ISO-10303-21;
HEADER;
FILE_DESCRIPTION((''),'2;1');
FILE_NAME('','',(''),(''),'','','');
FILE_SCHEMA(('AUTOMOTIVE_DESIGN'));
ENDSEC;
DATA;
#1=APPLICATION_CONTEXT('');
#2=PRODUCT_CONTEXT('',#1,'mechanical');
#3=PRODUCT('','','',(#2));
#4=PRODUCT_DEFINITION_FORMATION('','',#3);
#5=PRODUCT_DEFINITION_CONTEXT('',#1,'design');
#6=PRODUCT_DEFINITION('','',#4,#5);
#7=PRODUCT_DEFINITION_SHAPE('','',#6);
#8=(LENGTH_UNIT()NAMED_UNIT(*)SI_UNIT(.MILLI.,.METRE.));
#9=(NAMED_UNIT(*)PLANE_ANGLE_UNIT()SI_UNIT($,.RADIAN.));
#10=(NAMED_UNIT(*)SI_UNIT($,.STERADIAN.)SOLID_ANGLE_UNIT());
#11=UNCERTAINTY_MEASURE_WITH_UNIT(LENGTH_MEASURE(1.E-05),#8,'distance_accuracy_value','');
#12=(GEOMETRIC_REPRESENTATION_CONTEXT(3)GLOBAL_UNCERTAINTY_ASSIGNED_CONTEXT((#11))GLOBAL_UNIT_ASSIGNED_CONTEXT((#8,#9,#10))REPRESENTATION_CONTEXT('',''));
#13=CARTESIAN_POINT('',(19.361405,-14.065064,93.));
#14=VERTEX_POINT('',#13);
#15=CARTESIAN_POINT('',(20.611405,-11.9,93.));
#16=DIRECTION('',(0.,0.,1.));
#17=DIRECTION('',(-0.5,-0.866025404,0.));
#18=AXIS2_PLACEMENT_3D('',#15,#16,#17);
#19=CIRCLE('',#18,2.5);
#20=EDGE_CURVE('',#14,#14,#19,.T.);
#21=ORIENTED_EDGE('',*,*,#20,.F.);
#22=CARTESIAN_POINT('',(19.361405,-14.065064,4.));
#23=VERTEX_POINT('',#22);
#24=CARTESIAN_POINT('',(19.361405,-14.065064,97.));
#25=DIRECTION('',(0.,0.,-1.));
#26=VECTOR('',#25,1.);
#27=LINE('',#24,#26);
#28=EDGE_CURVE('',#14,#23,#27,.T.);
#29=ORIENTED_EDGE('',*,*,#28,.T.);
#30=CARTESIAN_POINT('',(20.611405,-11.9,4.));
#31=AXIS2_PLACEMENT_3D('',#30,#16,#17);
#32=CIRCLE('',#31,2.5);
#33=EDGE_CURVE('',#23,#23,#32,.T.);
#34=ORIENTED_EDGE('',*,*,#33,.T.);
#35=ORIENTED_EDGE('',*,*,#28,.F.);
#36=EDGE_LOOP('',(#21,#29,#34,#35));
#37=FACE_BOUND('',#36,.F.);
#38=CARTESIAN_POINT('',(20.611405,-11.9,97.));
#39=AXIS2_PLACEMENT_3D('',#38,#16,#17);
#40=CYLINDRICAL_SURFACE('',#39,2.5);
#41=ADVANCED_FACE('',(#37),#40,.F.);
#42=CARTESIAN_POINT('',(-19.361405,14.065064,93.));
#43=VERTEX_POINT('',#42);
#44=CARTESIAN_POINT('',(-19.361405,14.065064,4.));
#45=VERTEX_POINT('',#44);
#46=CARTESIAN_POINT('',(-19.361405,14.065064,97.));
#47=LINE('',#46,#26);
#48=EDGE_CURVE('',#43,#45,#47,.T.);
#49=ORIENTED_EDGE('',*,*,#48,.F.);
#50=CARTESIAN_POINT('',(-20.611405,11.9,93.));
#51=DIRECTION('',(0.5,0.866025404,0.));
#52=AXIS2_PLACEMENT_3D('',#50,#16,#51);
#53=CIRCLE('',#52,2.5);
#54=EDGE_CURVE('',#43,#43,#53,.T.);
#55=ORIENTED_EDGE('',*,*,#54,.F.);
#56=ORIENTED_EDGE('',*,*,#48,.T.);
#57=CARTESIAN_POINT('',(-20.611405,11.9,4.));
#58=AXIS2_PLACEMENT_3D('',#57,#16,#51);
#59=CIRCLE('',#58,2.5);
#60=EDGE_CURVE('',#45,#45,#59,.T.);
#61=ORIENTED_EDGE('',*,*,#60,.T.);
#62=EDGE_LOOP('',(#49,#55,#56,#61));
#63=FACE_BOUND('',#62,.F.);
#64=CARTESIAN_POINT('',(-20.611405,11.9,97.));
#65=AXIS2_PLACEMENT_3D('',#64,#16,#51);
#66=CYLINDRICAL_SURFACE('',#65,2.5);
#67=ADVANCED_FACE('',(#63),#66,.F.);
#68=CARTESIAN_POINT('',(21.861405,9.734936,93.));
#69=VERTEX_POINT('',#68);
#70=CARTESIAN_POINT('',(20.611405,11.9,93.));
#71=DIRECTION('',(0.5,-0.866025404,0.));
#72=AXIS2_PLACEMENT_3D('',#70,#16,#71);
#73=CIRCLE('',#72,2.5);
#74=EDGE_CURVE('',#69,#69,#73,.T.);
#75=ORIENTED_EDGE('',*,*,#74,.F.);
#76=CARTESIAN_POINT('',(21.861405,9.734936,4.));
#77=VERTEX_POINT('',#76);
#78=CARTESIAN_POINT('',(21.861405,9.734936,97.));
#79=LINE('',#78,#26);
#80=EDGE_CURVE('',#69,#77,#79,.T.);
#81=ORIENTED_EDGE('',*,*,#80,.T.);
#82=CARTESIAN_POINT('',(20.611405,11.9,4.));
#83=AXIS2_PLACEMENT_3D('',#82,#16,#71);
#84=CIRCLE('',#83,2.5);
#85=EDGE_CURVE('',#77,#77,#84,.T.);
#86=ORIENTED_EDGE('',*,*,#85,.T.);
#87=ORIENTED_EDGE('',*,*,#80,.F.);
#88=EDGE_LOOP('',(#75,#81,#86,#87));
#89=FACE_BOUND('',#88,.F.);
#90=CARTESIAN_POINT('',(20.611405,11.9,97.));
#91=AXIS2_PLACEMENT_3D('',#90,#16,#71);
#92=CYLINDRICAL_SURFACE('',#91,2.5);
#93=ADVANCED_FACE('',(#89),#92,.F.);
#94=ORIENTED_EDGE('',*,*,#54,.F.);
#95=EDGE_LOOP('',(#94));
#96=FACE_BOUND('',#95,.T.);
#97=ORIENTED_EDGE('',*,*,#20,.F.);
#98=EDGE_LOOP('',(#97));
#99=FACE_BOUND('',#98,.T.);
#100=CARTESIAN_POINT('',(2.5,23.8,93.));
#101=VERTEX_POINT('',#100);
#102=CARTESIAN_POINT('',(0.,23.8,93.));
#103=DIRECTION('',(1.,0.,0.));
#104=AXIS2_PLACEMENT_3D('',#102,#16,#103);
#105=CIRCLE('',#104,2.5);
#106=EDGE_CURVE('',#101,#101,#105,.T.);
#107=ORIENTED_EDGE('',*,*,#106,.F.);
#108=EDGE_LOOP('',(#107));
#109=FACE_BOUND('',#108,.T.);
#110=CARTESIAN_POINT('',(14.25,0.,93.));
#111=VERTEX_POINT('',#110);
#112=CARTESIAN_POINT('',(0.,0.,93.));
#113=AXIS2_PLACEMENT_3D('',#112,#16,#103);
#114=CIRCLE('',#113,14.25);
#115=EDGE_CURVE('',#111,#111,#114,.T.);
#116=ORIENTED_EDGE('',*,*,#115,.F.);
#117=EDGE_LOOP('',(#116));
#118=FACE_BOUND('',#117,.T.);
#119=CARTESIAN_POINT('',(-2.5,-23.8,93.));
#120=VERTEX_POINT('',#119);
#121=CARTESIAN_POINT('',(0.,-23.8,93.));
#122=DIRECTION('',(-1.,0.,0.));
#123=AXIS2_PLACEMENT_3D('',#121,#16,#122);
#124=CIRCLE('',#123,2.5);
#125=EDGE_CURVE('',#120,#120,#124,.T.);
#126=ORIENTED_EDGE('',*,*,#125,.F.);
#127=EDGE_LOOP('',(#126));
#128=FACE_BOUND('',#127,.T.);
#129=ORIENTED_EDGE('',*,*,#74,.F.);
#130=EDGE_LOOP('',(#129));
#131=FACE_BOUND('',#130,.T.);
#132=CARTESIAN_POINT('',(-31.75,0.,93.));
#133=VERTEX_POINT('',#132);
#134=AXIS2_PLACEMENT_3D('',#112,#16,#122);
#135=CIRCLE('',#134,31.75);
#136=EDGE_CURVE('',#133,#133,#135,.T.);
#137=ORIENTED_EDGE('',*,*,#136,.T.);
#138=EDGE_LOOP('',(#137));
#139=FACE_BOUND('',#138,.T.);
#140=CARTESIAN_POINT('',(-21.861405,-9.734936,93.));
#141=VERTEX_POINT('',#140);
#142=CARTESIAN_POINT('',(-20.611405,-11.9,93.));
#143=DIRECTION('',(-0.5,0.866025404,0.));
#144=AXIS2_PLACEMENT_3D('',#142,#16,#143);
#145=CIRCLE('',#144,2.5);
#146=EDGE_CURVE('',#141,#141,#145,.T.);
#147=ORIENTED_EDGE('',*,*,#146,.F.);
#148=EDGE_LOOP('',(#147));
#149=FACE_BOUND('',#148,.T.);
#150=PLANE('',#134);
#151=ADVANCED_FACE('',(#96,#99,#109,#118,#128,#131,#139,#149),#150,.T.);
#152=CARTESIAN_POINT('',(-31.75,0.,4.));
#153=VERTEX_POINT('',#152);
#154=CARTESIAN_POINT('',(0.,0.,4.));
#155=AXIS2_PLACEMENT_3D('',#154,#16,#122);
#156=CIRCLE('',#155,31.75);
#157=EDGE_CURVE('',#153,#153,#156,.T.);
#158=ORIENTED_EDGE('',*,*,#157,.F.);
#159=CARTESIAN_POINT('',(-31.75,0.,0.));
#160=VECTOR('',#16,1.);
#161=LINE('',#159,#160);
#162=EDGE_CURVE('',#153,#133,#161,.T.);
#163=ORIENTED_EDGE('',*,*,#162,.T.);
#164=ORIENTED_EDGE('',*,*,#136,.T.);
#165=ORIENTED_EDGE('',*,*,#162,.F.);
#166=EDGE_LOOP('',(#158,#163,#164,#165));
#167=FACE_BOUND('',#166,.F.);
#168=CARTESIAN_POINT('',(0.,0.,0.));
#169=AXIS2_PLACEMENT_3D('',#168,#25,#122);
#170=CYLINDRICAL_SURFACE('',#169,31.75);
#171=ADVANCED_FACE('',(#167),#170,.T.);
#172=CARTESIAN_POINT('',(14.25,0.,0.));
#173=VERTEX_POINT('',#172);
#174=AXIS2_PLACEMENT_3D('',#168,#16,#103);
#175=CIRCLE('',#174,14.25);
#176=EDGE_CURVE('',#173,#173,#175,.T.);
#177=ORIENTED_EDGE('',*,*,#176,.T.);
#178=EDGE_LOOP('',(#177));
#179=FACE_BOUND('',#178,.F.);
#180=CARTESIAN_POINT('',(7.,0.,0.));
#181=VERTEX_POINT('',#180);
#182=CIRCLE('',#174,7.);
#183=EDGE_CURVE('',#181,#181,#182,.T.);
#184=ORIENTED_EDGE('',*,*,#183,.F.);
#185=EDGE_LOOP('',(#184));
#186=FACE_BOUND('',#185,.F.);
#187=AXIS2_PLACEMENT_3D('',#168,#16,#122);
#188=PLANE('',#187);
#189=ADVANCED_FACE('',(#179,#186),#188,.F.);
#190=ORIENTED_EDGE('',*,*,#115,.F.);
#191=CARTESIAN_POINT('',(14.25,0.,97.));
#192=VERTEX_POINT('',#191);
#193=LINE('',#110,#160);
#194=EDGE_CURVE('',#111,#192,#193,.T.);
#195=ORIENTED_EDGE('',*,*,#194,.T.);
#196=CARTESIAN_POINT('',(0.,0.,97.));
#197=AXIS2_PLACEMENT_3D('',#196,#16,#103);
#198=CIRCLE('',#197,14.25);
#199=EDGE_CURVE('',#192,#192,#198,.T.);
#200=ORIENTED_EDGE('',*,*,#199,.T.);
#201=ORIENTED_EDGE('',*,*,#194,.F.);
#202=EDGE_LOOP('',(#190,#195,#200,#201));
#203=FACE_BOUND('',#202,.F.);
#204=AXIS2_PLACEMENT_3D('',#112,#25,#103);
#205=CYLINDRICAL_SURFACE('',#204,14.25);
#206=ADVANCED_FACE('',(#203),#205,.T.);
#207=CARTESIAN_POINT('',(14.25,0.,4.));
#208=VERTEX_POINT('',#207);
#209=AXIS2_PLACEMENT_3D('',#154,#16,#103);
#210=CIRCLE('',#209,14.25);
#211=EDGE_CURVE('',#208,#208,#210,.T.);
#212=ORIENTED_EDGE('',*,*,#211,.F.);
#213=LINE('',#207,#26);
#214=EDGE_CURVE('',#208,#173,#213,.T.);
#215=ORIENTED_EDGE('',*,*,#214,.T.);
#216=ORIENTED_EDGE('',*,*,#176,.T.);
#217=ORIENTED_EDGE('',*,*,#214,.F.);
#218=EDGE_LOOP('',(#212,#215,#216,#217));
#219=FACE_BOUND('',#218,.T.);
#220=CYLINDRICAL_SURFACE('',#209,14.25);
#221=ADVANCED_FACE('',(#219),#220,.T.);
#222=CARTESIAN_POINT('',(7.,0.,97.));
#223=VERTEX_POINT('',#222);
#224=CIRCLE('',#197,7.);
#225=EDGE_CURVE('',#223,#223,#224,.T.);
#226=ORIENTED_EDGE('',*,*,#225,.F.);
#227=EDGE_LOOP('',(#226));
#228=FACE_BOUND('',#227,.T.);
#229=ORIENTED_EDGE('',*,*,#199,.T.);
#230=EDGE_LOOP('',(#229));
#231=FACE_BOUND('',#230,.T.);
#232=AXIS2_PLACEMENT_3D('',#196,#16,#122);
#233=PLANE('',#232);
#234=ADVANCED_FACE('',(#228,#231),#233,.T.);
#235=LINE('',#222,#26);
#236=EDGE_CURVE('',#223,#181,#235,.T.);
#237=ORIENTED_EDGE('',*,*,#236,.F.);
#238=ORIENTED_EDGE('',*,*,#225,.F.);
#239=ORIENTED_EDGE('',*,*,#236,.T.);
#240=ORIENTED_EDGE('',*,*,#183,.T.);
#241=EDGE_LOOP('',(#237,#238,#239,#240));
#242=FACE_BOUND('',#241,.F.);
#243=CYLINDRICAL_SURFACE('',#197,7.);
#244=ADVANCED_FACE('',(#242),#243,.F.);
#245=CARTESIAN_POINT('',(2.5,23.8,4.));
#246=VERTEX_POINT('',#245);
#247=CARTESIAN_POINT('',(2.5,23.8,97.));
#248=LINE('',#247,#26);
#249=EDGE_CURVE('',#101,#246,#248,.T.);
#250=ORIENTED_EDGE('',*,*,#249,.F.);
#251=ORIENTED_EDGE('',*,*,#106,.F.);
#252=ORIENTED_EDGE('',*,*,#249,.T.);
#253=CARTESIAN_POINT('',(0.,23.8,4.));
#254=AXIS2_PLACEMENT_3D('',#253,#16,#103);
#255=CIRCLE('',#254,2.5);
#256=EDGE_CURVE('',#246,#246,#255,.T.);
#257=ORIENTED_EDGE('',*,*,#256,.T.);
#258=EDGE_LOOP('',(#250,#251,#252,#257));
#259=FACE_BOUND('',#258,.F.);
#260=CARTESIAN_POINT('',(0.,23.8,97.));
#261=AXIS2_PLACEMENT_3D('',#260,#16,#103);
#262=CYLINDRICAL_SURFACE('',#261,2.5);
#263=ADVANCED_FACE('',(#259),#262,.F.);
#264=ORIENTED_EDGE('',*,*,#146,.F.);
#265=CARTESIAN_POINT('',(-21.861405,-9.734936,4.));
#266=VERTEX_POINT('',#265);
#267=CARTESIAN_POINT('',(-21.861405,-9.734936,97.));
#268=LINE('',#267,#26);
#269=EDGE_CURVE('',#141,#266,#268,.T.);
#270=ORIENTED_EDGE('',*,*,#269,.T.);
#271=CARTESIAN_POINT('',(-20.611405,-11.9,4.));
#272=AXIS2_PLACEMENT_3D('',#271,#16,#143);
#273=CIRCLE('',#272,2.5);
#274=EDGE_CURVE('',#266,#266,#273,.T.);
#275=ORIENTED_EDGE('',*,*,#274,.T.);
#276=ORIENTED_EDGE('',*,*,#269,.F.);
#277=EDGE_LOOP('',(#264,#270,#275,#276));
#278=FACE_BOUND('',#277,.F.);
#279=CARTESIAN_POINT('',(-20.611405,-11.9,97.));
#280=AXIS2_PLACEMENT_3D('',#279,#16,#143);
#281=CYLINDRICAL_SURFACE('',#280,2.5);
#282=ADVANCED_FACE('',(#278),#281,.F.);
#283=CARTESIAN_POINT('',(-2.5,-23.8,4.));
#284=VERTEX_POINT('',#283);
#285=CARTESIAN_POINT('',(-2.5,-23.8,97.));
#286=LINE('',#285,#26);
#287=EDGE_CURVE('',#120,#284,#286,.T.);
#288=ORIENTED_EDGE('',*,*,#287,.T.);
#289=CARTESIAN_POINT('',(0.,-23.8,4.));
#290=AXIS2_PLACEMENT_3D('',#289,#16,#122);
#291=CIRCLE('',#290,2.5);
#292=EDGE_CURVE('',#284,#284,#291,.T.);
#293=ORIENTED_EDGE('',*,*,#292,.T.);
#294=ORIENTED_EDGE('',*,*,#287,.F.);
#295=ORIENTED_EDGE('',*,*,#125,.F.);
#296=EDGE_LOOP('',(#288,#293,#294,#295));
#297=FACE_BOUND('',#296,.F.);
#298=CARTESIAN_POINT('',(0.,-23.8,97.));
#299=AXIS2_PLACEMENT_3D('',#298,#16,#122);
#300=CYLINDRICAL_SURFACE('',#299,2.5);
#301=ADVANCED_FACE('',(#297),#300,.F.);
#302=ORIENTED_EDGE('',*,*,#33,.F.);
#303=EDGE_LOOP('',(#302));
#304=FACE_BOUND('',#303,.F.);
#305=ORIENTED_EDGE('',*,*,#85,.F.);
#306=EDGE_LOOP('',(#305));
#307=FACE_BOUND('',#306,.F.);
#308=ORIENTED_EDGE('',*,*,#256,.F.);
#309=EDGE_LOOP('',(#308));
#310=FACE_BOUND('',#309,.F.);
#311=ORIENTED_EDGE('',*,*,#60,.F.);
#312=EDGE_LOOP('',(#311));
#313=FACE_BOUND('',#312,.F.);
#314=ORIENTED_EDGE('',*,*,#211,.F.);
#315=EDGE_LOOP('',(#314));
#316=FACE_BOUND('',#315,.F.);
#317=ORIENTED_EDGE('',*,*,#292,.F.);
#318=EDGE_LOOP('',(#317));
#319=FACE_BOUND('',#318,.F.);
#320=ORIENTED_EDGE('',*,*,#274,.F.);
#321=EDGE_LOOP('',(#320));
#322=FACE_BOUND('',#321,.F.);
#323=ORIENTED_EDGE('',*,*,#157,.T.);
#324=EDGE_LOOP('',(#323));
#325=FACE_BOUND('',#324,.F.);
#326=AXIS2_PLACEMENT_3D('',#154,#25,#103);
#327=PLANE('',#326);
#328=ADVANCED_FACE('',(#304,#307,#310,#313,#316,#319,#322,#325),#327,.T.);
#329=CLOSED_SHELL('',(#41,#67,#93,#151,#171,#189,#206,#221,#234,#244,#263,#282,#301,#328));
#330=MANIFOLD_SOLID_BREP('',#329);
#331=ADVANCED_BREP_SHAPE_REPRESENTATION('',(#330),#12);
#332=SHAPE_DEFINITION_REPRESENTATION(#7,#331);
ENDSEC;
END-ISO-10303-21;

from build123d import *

# Parameters (mm, degrees)
CROQUIS3_R              = 31.75
SALIENTE_EXTRUIR3_DEPTH = 97
CROQUIS4_R              = 7
CORTAR_EXTRUIR1_DEPTH   = 107.888376356
CROQUIS8_R              = 2.5
CORTAR_EXTRUIR6_DEPTH   = 107.888376356
MATRIZC1_COUNT          = 6
CUT_EXTRUDE1_START      = -4
SKETCH1_R               = 31.75
SKETCH1_R_2             = 14.25
CUT_EXTRUDE1_DEPTH      = 4


with BuildPart() as part:
    # Croquis3 → Saliente-Extruir3 (new body)
    with BuildSketch(Plane.XY):
        with Locations(Location((0, 0, 0), (0, 0, 180))):
            Circle(CROQUIS3_R)
    extrude(amount=SALIENTE_EXTRUIR3_DEPTH)

    # Croquis4 → Cortar-Extruir1 (cut, through all)
    with BuildSketch(Plane.XY.offset(97)):
        Circle(CROQUIS4_R)
    extrude(amount=-CORTAR_EXTRUIR1_DEPTH, mode=Mode.SUBTRACT)

    # Croquis8 → Cortar-Extruir6 (cut, through all)
    with BuildSketch(Plane.XY.offset(97)):
        with Locations((0, 23.8)):
            Circle(CROQUIS8_R)
    cortar_extruir6 = extrude(amount=-CORTAR_EXTRUIR6_DEPTH, mode=Mode.SUBTRACT)

    # MatrizC1: Cortar-Extruir6 ×6 about axis
    matrizc1_axis = Axis((0, 0, 0), (0, 0, 1))
    for i in range(1, MATRIZC1_COUNT):
        add(cortar_extruir6.rotate(matrizc1_axis, i * 360 / MATRIZC1_COUNT), mode=Mode.SUBTRACT)

    # Sketch1 → Cut-Extrude1 (cut)
    with BuildSketch(Plane.XY.offset(97).offset(CUT_EXTRUDE1_START)):
        with Locations(Location((0, 0, 0), (0, 0, 180))):
            Circle(SKETCH1_R)
        Circle(SKETCH1_R_2, mode=Mode.SUBTRACT)
    cut_extrude1 = extrude(amount=CUT_EXTRUDE1_DEPTH, mode=Mode.SUBTRACT)

    # Mirror1: Cut-Extrude1 across plane
    add(cut_extrude1.mirror(Plane.XY.offset(48.5)), mode=Mode.SUBTRACT)


solid = part.part
